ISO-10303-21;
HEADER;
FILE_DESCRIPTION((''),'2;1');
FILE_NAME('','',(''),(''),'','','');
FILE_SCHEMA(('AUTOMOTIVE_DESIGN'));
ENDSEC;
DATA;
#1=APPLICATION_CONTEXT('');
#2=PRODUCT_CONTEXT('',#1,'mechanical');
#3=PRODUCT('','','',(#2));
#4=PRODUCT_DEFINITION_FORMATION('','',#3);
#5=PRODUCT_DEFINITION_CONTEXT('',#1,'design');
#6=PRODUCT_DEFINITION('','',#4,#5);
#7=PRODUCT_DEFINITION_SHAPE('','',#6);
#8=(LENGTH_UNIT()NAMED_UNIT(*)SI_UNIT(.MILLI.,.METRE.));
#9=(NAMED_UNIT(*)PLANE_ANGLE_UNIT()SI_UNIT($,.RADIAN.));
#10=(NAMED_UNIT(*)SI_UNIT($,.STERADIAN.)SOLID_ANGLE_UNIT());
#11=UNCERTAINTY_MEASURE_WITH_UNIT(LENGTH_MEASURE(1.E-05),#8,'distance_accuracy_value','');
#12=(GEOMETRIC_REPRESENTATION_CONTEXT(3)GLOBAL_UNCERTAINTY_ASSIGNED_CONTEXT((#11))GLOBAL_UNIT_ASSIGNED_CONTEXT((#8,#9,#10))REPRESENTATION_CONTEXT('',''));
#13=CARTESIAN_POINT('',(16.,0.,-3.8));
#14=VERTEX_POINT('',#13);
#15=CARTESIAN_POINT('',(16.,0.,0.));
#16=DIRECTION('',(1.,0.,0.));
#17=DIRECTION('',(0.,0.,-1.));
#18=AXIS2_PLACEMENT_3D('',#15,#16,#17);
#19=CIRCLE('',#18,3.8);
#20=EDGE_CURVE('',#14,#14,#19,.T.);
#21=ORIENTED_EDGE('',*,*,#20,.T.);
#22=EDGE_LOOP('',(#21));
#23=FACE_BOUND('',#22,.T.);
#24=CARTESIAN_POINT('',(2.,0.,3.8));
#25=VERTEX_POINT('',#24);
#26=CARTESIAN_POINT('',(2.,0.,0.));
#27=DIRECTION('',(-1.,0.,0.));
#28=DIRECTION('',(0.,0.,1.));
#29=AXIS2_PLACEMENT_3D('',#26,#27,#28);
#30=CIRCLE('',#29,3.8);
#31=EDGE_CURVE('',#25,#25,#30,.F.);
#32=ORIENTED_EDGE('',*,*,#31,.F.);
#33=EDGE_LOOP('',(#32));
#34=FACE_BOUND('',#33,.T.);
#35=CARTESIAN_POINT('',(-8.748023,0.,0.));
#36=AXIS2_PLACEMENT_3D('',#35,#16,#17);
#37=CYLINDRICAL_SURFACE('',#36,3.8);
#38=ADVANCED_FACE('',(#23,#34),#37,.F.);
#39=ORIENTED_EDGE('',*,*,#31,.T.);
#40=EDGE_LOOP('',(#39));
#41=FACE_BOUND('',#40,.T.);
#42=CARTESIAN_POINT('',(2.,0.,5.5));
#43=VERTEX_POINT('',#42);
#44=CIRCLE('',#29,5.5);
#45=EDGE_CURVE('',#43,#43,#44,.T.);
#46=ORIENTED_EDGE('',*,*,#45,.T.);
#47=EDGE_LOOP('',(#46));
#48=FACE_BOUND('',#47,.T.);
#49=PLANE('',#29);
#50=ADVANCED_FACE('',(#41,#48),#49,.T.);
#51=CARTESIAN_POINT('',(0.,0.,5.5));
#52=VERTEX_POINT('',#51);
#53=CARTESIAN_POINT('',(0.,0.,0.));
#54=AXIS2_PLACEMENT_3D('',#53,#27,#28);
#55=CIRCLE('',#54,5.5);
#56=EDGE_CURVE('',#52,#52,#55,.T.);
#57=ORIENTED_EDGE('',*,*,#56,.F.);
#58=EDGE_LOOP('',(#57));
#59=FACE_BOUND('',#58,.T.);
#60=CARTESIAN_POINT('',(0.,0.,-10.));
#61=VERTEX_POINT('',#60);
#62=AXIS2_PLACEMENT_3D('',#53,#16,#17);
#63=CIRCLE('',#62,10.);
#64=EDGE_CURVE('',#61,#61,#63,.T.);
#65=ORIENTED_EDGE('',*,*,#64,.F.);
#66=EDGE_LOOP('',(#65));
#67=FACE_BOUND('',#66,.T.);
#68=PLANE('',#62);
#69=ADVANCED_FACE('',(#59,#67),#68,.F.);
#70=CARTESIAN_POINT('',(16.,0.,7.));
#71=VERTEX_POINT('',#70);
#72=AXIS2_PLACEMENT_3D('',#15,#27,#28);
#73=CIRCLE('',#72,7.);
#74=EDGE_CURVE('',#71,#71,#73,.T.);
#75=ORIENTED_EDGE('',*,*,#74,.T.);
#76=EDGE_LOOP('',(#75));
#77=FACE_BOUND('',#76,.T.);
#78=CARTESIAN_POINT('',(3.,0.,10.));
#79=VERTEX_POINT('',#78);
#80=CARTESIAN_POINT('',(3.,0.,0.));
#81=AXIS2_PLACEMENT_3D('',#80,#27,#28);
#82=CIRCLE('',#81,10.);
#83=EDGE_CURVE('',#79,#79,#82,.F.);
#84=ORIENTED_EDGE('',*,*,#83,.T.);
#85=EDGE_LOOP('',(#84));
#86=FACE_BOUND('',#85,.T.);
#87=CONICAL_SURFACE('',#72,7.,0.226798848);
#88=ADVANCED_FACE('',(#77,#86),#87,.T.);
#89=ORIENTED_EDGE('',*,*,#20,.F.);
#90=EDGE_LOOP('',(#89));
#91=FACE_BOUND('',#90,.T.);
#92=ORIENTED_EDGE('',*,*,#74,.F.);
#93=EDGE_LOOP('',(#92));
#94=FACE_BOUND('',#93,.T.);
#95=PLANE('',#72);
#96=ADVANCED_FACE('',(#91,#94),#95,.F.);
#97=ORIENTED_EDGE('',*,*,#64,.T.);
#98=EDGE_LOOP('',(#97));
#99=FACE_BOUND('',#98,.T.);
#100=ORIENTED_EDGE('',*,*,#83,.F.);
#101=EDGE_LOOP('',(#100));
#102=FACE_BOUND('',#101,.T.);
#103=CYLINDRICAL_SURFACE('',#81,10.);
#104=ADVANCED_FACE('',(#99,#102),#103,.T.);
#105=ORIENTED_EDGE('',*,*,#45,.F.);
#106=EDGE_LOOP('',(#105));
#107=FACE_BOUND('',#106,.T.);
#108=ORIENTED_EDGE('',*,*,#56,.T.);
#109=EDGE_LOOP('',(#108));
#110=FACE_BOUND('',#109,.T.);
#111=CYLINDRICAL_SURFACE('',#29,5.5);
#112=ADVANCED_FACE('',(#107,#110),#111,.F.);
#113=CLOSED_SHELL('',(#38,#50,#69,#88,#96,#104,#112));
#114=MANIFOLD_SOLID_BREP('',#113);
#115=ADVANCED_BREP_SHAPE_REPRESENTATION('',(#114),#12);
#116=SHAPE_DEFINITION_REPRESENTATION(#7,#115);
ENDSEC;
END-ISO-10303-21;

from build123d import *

# Parameters (mm, degrees)
SKETCH1_R           = 10
BOSS_EXTRUDE1_DEPTH = 3
SKETCH2_R           = 5.5
CUT_EXTRUDE1_DEPTH  = 2
SKETCH3_R           = 7
SKETCH4_R           = 3.8
CUT_EXTRUDE2_DEPTH  = 14


with BuildPart() as part:
    # Sketch1 → Boss-Extrude1 (new body)
    with BuildSketch(Plane(origin=(0, 0, 0), x_dir=(0, 0, -1), z_dir=(1, 0, 0))):
        Circle(SKETCH1_R)
    extrude(amount=BOSS_EXTRUDE1_DEPTH)

    # Sketch2 → Cut-Extrude1 (cut)
    with BuildSketch(Plane.ZY):
        Circle(SKETCH2_R)
    extrude(amount=-CUT_EXTRUDE1_DEPTH, mode=Mode.SUBTRACT)

    # Sketch3 → section 0 of loft1
    with BuildSketch(Plane.ZY.offset(-16), mode=Mode.PRIVATE) as loft1_s0:
        Circle(SKETCH3_R)
    # loft up to a face of the part (loft1)
    loft([loft1_s0.sketch, Face(Wire([part.edges().sort_by_distance((3, 7.289686274, 6.845471059))[0]]))])

    # Sketch4 → Cut-Extrude2 (cut)
    with BuildSketch(Plane(origin=(16, 0, 0), x_dir=(0, 0, -1), z_dir=(1, 0, 0))):
        Circle(SKETCH4_R)
    extrude(amount=-CUT_EXTRUDE2_DEPTH, mode=Mode.SUBTRACT)


solid = part.part
